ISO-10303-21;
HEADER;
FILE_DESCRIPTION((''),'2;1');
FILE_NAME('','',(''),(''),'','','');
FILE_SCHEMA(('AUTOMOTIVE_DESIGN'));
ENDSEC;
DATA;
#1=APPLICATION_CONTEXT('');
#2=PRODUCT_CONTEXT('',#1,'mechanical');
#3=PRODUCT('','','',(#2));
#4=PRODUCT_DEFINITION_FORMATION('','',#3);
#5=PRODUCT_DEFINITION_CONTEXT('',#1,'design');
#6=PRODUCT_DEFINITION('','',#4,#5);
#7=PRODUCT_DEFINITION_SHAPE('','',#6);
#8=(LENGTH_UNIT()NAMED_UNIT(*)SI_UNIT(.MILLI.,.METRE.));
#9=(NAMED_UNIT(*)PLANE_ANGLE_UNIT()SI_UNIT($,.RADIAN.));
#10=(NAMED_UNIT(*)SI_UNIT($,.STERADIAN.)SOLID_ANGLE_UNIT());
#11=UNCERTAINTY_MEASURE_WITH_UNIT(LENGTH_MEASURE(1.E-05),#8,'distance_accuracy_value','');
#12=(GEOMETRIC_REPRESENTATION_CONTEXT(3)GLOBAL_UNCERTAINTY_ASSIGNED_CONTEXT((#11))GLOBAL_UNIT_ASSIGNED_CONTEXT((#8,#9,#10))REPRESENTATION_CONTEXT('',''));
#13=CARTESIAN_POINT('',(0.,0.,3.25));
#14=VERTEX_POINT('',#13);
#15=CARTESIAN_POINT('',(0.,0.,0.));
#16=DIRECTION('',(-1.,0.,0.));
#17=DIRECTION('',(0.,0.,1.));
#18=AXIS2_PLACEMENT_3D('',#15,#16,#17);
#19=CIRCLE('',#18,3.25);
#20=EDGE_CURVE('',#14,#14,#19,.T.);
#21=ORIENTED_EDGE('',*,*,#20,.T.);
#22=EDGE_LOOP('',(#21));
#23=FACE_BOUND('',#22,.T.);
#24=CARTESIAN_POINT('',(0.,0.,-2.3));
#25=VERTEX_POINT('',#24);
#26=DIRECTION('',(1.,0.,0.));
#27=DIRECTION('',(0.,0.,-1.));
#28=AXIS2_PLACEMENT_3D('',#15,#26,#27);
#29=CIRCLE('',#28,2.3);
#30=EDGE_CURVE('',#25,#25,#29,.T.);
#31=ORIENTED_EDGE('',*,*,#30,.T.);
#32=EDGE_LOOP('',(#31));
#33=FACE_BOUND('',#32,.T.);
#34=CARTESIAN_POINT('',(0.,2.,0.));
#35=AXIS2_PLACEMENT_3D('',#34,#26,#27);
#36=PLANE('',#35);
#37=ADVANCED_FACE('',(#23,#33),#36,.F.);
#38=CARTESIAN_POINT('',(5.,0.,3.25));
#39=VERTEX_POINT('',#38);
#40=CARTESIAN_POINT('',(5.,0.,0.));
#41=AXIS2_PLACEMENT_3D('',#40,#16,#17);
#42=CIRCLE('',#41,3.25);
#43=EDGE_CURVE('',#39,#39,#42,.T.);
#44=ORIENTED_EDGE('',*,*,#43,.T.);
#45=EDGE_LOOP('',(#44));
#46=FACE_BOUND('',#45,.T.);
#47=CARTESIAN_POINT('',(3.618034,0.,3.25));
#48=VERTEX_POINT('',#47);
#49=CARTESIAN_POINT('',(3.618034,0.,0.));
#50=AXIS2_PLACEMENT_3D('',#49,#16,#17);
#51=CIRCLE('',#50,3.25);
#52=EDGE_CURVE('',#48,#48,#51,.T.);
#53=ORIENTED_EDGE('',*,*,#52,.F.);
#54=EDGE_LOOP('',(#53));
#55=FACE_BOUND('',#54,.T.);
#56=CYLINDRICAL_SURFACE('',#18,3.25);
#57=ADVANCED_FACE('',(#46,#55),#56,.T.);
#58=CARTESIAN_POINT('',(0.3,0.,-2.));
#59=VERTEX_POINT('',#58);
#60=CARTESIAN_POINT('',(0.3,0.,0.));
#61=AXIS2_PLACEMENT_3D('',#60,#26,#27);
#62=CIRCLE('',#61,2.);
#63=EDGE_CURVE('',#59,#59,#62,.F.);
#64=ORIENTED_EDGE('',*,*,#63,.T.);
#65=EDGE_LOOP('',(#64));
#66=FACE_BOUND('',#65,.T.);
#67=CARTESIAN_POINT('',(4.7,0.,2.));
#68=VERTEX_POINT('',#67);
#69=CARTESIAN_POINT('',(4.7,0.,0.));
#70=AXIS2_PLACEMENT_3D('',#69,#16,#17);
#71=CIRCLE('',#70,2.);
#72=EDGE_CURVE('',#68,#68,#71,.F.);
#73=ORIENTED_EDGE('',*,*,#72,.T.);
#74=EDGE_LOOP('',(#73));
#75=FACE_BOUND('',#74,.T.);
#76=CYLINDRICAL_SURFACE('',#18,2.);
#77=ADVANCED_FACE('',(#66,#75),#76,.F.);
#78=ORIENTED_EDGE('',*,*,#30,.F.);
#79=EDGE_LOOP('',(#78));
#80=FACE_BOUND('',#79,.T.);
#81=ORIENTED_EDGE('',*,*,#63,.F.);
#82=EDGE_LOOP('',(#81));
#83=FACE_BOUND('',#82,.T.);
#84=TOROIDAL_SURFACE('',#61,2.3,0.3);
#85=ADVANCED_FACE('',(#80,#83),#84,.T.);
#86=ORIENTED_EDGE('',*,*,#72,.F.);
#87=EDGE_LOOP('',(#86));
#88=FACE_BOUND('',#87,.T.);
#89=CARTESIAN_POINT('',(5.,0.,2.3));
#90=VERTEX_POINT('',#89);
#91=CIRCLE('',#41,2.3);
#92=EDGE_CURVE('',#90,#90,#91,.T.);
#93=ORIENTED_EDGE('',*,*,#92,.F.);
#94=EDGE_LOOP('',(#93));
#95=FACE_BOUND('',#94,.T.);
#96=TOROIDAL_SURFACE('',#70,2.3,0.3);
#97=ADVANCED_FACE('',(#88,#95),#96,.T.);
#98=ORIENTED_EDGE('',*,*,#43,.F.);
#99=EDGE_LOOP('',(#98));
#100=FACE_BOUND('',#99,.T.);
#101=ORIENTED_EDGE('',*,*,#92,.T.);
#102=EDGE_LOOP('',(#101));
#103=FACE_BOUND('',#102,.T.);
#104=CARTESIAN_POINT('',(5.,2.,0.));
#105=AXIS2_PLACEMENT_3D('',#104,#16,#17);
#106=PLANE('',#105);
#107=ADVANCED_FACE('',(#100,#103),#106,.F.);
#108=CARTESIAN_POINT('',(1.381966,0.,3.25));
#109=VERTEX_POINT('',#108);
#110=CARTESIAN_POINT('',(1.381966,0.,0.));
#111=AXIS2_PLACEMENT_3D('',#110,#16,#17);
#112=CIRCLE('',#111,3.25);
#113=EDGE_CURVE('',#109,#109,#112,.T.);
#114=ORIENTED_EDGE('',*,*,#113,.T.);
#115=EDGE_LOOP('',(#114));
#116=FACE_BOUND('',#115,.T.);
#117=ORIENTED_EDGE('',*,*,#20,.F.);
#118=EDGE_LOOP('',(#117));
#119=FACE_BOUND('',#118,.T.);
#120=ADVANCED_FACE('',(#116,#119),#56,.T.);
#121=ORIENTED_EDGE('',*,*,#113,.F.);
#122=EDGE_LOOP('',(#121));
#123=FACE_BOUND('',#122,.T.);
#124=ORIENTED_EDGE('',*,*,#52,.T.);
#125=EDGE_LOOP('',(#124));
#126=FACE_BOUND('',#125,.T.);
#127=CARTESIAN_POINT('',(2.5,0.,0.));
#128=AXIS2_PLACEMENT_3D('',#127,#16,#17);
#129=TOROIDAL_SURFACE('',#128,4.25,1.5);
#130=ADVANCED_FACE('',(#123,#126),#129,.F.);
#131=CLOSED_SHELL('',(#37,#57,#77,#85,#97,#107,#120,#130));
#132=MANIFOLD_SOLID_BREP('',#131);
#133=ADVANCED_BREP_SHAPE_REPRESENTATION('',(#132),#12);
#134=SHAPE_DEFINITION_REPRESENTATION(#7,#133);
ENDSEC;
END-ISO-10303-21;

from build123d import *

# Parameters (mm, degrees)
CONG_1_R = 0.3


with BuildPart() as part:
    # Esquisse1 → Base-Révolution (revolve)
    with BuildSketch(Plane.XY):
        with BuildLine():
            Line((3.618033989, 3.25), (5, 3.25))
            Line((5, 3.25), (5, 2))
            Line((5, 2), (0, 2))
            Line((0, 2), (0, 3.25))
            Line((0, 3.25), (1.381966011, 3.25))
            ThreePointArc((1.381966011, 3.25), (2.5, 2.75), (3.618033989, 3.25))
        make_face()
    revolve(axis=Axis((0, 0, 0), (1, 0, 0)))

    # Congé1
    cong_1_edges = [part.edges().sort_by_distance(p)[0] for p in [
        (5, -2, 0),
        (0, -2, 0),
    ]]
    fillet(cong_1_edges, radius=CONG_1_R)


solid = part.part
